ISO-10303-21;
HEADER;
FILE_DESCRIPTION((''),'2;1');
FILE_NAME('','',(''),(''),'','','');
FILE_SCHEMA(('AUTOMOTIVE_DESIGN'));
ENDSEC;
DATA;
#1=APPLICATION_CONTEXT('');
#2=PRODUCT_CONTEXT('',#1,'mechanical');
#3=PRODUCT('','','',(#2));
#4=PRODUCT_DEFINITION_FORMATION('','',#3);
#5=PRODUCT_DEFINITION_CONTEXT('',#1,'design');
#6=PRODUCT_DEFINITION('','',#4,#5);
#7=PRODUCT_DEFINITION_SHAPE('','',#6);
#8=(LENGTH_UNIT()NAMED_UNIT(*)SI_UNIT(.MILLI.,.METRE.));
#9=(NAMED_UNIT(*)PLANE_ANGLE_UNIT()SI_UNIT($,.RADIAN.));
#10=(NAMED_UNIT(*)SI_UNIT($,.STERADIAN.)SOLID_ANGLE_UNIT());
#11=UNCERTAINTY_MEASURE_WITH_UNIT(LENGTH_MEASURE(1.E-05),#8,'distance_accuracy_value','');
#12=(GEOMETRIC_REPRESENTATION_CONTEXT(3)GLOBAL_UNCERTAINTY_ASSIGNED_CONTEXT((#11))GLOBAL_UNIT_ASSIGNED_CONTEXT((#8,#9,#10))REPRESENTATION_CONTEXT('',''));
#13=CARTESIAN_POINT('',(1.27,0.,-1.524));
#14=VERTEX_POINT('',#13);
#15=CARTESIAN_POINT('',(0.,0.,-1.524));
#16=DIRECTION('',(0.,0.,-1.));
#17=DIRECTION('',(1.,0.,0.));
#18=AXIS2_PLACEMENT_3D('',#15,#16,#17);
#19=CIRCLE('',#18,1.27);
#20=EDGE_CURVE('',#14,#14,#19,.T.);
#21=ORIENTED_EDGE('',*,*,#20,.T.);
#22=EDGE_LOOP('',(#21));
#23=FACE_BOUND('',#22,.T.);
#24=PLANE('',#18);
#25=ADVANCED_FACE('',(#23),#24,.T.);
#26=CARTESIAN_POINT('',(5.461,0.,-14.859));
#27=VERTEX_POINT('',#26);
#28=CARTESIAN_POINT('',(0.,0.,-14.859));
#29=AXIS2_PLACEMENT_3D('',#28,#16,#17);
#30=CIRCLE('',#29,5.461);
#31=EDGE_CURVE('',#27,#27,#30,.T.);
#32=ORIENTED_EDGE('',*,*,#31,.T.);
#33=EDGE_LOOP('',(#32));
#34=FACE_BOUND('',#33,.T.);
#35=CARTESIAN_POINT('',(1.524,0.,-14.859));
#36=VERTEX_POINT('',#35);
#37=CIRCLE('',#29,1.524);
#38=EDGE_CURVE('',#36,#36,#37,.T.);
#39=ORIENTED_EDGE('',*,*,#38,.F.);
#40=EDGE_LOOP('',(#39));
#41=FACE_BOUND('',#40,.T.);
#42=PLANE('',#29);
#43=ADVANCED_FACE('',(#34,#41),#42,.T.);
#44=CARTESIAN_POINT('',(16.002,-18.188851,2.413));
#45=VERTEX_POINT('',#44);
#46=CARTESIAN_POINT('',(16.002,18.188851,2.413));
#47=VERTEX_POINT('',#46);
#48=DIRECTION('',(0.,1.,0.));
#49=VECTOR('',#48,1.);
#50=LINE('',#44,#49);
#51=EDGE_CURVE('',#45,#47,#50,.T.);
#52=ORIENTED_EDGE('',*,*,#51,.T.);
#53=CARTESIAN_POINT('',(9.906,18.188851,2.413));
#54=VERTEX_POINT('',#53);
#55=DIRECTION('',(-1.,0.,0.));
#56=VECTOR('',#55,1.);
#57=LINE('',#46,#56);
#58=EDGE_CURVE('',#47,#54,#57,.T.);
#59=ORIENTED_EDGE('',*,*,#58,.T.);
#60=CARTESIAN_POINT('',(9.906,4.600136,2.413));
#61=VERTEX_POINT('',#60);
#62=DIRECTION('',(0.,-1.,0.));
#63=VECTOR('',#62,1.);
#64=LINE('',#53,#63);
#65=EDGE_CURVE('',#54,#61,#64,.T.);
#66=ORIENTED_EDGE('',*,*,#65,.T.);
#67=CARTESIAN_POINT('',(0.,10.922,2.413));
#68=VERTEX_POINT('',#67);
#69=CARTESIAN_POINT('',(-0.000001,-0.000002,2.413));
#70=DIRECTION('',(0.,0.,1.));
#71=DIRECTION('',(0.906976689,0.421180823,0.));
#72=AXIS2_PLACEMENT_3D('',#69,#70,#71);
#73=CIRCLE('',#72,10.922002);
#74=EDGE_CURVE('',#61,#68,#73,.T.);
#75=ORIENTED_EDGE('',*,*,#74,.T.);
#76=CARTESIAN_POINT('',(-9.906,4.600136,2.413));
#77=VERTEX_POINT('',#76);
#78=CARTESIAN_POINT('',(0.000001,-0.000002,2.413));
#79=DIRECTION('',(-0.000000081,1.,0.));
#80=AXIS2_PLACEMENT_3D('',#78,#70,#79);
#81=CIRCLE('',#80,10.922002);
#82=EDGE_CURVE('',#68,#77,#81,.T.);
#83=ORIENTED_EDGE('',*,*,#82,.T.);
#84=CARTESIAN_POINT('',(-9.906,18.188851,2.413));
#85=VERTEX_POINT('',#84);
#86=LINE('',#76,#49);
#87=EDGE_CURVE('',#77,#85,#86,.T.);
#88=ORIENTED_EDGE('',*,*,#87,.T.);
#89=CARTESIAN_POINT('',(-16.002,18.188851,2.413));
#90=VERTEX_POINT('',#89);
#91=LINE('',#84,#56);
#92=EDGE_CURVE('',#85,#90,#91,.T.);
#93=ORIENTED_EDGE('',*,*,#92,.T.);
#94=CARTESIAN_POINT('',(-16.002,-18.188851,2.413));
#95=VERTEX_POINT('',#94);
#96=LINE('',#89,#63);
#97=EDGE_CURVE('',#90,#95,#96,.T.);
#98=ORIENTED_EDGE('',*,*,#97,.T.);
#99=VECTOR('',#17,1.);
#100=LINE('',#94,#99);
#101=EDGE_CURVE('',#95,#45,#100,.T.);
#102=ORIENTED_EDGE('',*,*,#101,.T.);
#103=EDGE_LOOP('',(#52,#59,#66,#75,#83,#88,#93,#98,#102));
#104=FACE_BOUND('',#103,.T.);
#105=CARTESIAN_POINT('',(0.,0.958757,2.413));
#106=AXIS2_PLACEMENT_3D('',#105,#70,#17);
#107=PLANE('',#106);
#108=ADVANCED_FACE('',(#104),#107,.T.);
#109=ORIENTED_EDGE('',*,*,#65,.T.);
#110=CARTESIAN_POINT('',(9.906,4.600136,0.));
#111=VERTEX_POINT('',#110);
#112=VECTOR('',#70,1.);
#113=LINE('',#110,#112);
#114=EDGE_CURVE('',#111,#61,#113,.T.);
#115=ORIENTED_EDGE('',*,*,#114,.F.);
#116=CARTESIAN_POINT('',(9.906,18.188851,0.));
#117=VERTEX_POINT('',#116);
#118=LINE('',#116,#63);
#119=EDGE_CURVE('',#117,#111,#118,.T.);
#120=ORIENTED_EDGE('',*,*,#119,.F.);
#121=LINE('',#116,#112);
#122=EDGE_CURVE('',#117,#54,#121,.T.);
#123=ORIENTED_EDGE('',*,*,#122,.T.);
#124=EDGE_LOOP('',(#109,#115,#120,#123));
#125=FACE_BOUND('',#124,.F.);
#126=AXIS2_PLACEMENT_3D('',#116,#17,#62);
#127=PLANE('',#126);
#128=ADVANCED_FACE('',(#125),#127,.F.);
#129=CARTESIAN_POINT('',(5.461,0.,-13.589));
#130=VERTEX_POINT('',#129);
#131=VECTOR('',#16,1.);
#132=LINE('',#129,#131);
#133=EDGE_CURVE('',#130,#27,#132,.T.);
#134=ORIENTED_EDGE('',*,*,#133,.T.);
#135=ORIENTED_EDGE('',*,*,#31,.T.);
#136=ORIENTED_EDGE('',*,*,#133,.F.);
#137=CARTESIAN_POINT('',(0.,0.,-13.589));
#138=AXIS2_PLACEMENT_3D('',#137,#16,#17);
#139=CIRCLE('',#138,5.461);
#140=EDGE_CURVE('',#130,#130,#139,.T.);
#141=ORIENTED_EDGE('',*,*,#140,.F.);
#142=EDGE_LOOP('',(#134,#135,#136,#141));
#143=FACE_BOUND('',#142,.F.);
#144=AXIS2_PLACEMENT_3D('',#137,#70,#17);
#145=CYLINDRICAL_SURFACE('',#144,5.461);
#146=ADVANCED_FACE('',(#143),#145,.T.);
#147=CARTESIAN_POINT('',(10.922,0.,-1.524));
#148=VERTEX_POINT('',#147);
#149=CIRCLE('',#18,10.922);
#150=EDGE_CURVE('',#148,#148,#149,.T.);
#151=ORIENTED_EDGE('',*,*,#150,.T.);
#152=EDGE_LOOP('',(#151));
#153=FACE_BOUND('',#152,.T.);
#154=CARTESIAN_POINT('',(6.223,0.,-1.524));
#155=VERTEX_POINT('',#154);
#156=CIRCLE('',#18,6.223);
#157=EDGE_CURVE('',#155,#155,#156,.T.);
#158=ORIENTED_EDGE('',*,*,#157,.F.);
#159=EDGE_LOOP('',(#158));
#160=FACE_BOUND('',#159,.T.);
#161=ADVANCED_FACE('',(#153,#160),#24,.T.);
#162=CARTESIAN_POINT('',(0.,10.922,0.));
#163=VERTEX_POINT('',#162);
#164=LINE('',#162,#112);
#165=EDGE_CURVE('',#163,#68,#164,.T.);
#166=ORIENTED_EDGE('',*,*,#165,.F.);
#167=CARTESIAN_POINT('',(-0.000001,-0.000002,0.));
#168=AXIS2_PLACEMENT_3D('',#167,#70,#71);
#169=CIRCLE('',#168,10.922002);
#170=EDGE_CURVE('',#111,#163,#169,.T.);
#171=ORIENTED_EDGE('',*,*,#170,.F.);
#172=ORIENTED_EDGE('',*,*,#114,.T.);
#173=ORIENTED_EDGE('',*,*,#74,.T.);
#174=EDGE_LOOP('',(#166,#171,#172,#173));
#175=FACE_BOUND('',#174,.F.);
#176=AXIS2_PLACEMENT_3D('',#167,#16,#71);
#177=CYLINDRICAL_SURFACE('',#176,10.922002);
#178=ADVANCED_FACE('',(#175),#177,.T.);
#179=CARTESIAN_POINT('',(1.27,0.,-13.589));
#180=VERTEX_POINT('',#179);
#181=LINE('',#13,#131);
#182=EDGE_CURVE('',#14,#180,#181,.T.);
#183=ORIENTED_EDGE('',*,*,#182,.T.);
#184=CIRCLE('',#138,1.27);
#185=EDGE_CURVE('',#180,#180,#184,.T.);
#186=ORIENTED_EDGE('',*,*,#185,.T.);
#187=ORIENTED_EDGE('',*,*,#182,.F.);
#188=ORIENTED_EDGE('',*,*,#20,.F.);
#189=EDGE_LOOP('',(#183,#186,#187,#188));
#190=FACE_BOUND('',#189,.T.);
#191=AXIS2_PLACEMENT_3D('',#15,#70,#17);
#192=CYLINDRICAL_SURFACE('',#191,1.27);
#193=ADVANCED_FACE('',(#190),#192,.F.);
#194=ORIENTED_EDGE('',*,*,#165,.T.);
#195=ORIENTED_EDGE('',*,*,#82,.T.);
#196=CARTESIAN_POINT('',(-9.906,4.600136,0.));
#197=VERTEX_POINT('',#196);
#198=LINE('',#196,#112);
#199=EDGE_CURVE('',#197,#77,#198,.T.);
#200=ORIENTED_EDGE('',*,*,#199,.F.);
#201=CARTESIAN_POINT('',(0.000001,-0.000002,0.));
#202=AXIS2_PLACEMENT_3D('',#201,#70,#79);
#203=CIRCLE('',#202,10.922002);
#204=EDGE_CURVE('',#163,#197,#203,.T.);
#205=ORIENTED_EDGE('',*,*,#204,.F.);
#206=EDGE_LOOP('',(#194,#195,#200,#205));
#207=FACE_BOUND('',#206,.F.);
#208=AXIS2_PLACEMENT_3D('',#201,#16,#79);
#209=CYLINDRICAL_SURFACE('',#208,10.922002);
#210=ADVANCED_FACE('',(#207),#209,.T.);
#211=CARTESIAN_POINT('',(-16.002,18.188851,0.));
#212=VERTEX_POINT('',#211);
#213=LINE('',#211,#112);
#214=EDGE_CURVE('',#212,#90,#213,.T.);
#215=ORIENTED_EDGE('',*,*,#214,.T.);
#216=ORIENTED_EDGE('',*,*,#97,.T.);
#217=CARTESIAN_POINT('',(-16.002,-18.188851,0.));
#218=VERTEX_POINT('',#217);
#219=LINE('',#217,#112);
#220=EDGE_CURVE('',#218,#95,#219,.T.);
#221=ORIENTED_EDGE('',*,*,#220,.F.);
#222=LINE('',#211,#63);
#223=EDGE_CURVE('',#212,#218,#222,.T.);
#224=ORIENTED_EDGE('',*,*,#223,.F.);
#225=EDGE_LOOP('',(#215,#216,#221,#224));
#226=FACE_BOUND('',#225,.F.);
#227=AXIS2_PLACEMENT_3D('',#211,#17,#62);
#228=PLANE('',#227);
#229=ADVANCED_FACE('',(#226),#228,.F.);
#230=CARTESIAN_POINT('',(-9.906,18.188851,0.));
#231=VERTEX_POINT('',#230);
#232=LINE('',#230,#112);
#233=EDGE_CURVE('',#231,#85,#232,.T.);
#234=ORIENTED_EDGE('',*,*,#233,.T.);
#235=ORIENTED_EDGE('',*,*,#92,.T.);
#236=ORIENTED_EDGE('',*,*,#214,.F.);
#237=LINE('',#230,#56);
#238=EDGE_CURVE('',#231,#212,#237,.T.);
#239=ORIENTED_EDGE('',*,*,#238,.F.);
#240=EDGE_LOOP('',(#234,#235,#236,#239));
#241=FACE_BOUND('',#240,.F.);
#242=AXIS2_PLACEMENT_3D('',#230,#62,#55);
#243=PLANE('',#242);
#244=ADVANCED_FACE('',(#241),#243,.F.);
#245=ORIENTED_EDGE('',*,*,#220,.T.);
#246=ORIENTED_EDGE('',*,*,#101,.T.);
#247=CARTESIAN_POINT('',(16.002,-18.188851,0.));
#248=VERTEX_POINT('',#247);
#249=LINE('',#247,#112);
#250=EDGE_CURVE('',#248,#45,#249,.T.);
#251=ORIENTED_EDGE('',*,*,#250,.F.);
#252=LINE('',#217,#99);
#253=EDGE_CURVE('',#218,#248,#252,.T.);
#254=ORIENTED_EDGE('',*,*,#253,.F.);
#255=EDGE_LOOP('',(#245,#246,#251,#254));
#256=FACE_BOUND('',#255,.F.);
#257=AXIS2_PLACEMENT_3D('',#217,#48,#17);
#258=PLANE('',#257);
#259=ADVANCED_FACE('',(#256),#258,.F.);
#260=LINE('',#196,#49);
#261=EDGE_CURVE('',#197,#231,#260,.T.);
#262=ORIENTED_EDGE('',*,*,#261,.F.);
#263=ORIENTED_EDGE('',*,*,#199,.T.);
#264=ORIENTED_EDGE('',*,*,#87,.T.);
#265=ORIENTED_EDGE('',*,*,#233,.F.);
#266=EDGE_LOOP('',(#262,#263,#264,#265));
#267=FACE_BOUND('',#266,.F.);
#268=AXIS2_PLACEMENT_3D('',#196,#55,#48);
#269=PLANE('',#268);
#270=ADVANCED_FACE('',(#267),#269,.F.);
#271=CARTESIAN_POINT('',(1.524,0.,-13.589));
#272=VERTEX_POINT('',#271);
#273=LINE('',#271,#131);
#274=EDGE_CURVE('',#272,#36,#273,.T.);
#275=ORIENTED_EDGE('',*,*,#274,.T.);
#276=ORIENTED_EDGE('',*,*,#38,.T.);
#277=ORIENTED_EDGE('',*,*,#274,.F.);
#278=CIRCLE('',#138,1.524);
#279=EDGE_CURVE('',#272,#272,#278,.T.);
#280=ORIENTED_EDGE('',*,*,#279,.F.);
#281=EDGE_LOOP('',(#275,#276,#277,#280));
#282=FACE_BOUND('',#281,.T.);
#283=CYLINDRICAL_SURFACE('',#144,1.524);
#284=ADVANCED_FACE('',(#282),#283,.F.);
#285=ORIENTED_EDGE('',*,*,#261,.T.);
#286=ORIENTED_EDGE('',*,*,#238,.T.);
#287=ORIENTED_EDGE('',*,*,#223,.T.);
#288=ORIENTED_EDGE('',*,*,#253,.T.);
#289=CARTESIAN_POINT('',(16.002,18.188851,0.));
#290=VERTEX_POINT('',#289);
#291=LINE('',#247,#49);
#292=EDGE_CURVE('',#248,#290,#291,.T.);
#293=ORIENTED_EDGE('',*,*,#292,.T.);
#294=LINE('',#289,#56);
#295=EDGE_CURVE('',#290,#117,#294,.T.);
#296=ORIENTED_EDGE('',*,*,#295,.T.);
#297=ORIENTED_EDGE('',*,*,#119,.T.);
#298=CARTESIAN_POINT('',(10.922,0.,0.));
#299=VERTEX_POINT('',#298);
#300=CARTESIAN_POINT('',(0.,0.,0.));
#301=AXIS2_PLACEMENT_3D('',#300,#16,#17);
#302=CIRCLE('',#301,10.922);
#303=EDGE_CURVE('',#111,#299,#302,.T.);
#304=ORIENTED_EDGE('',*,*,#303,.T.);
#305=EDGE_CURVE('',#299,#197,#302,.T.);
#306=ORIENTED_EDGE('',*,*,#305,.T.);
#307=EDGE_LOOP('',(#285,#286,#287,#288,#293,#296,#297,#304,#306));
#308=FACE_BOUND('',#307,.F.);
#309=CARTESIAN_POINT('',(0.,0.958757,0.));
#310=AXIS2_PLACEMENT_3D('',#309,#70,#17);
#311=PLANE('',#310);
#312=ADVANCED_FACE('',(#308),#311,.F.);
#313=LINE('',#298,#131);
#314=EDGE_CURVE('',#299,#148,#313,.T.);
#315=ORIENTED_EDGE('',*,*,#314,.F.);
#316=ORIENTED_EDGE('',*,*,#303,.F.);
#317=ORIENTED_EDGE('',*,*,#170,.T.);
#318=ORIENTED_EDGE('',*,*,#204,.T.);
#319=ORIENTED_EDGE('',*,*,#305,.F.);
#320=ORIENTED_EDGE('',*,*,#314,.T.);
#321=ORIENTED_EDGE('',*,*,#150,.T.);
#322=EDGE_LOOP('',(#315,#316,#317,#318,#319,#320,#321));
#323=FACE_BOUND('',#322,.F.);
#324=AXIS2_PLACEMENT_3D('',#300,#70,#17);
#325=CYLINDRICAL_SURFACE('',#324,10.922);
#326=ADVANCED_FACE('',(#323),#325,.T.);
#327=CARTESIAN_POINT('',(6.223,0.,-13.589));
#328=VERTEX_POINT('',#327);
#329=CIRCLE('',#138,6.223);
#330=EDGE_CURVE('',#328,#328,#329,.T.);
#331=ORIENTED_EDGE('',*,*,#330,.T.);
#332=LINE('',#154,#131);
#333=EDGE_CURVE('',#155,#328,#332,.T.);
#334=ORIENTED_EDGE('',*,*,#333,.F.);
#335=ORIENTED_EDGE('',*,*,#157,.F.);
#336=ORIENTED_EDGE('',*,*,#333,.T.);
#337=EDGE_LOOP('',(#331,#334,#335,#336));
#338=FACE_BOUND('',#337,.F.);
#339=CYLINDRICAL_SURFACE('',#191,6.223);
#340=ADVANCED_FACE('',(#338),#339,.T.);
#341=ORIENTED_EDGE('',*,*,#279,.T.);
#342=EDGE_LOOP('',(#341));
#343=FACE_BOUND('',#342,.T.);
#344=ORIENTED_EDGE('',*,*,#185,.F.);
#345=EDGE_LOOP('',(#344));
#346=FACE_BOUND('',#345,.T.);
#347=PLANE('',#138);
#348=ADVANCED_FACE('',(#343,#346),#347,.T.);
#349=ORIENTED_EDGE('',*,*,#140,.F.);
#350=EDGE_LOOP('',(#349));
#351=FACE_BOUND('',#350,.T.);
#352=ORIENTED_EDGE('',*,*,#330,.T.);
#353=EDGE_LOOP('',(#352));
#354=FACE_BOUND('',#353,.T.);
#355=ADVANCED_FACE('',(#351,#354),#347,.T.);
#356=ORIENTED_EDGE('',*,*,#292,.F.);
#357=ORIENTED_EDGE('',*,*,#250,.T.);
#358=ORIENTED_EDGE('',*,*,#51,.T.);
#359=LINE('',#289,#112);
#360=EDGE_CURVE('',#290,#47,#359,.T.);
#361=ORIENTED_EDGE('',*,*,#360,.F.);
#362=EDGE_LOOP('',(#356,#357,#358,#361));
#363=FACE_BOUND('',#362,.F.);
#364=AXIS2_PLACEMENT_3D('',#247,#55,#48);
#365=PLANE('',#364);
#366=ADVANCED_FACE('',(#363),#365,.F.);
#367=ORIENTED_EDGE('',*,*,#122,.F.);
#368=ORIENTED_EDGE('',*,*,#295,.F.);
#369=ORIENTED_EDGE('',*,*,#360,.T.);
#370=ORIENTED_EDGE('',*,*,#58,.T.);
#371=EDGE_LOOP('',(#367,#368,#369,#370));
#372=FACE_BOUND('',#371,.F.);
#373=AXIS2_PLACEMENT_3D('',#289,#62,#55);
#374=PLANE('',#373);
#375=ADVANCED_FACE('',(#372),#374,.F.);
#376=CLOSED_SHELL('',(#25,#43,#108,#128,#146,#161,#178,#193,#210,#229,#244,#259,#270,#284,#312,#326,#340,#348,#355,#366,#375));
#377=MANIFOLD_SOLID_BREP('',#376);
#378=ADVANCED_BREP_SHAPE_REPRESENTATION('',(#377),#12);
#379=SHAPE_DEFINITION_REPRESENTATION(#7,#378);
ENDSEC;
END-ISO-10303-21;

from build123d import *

# Parameters (mm, degrees)
F1_DEPTH = 2.413
F2_R     = 10.922
F3_DEPTH = 1.524
F4_R     = 6.223
F4_R_2   = 1.27
F5_DEPTH = 12.065
F6_R     = 5.461
F6_R_2   = 1.524
F7_DEPTH = 1.27


with BuildPart() as f1:
    # F0 (on Top) → F1 (new body)
    with BuildSketch(Plane.XY):
        with BuildLine():
            Line((-16.002, -18.188851), (16.002, -18.188851))
            Line((16.002, -18.188851), (16.002, 18.188851))
            Line((16.002, 18.188851), (9.906, 18.188851))
            Line((9.906, 18.188851), (9.906, 4.600136))
            ThreePointArc((9.906, 4.600136), (5.875687, 9.206866), (0, 10.922))
            ThreePointArc((0, 10.922), (-5.875687, 9.206866), (-9.906, 4.600136))
            Line((-9.906, 4.600136), (-9.906, 18.188851))
            Line((-9.906, 18.188851), (-16.002, 18.188851))
            Line((-16.002, 18.188851), (-16.002, -18.188851))
        make_face()
    extrude(amount=F1_DEPTH)

    # F2 (on face) → F3 (join)
    with BuildSketch(Plane(origin=(0, 0, 0), x_dir=(1, 0, 0), z_dir=(0, 0, -1))):
        Circle(F2_R)
    extrude(amount=F3_DEPTH)

    # F4 (on face) → F5 (join)
    with BuildSketch(Plane(origin=(0, 0, -1.524), x_dir=(1, 0, 0), z_dir=(0, 0, -1))):
        Circle(F4_R)
        Circle(F4_R_2, mode=Mode.SUBTRACT)
    extrude(amount=F5_DEPTH)

    # F6 (on face) → F7 (join)
    with BuildSketch(Plane(origin=(0, 0, -13.589), x_dir=(1, 0, 0), z_dir=(0, 0, -1))):
        Circle(F6_R)
        Circle(F6_R_2, mode=Mode.SUBTRACT)
    extrude(amount=F7_DEPTH)


solid = f1.part
